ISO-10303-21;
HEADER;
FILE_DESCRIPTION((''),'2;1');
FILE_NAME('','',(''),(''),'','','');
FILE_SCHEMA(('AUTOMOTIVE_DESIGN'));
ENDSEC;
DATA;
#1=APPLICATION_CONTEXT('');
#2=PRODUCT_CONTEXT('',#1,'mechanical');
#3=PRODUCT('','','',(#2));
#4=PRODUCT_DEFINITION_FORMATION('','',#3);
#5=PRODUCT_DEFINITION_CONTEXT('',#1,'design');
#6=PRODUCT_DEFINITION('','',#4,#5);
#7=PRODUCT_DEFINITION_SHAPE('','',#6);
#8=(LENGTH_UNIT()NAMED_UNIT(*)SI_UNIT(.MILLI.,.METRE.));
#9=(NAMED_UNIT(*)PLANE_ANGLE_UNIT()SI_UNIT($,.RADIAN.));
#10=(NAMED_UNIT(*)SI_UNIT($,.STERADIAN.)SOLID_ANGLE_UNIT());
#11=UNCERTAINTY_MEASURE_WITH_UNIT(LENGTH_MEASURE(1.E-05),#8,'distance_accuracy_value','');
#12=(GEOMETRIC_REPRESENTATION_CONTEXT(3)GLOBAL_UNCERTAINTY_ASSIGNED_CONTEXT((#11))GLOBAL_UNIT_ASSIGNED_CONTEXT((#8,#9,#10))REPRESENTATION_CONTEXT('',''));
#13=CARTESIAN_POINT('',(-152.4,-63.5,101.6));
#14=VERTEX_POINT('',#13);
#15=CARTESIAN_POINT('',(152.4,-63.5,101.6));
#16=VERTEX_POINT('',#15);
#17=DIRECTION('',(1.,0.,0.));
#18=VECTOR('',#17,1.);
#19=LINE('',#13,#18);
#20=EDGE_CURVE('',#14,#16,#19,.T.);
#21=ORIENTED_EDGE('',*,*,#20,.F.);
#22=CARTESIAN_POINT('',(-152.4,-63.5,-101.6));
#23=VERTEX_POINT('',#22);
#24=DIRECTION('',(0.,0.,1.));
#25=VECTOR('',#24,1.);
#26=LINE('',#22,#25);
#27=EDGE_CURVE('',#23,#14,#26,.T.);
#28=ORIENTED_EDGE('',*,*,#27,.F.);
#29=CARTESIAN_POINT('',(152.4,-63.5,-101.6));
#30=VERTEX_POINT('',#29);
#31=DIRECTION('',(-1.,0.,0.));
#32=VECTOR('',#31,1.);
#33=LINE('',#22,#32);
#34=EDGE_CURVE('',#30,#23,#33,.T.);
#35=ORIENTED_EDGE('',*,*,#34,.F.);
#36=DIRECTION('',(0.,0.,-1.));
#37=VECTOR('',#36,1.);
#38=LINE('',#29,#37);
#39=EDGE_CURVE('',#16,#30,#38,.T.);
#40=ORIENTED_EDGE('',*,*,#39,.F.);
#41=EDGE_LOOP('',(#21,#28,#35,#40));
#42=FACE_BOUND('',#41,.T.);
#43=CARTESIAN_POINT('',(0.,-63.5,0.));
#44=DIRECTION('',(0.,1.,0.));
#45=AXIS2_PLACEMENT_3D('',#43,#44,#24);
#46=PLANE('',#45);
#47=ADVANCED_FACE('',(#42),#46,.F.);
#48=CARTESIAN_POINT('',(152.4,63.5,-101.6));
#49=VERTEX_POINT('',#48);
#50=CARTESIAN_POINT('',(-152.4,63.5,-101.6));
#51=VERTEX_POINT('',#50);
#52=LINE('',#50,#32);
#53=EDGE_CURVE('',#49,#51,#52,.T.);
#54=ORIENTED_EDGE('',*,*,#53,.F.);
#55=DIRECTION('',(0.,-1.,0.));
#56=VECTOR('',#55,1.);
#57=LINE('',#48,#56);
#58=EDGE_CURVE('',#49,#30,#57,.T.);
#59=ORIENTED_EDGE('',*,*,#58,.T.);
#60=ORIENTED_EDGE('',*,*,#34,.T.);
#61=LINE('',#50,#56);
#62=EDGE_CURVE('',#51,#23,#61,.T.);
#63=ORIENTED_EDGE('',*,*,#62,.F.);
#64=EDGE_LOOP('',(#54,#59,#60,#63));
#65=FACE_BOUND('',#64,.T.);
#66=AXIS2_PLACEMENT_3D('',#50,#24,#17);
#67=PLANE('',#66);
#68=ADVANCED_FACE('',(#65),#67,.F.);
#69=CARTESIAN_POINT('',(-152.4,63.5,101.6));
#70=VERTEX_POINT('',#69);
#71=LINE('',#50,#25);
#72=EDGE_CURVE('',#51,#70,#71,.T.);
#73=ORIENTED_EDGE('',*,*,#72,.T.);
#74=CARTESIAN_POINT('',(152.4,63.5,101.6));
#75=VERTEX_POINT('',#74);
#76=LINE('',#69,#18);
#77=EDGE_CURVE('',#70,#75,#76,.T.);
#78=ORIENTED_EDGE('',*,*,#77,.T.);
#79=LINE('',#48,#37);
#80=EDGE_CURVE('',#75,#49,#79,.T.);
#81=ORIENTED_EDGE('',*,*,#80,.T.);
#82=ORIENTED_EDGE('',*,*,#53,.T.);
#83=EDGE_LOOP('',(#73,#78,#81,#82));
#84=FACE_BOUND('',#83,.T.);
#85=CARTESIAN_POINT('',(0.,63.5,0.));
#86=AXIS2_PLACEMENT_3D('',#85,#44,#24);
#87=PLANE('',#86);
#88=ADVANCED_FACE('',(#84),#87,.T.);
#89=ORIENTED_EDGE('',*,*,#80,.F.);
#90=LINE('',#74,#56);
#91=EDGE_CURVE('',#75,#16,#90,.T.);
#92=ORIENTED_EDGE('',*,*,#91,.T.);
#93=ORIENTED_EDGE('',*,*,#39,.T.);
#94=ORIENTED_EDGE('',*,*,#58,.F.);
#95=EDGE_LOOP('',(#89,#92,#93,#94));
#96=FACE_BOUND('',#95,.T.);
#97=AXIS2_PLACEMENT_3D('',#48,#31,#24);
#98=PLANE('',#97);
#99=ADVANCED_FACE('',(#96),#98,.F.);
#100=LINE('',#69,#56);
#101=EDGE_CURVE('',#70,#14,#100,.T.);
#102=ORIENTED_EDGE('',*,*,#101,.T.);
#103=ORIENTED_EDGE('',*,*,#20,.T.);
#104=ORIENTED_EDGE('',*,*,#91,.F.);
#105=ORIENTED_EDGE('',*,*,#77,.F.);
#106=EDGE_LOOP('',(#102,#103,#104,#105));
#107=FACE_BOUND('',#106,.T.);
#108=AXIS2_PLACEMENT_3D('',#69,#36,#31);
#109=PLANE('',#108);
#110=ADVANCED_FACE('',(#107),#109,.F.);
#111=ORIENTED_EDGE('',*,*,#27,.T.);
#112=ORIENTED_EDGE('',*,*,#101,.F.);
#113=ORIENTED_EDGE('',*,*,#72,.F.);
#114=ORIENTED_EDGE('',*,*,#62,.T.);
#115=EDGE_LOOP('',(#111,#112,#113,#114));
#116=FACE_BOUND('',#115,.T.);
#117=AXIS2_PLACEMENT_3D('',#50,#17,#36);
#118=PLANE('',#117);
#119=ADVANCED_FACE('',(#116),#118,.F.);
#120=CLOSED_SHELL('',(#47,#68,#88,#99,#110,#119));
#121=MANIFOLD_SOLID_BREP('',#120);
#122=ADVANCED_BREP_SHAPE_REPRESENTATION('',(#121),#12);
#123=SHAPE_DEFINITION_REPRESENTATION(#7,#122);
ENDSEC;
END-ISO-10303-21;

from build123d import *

# Parameters (mm, degrees)
SKETCH1_W           = 304.8
SKETCH1_H           = 203.2
BOSS_EXTRUDE1_DEPTH = 63.5


with BuildPart() as part:
    # Sketch1 → Boss-Extrude1 (new body, symmetric)
    with BuildSketch(Plane(origin=(0, 0, 0), x_dir=(1, 0, 0), z_dir=(0, 1, 0))):
        Rectangle(SKETCH1_W, SKETCH1_H)
    extrude(amount=BOSS_EXTRUDE1_DEPTH, both=True)


solid = part.part
